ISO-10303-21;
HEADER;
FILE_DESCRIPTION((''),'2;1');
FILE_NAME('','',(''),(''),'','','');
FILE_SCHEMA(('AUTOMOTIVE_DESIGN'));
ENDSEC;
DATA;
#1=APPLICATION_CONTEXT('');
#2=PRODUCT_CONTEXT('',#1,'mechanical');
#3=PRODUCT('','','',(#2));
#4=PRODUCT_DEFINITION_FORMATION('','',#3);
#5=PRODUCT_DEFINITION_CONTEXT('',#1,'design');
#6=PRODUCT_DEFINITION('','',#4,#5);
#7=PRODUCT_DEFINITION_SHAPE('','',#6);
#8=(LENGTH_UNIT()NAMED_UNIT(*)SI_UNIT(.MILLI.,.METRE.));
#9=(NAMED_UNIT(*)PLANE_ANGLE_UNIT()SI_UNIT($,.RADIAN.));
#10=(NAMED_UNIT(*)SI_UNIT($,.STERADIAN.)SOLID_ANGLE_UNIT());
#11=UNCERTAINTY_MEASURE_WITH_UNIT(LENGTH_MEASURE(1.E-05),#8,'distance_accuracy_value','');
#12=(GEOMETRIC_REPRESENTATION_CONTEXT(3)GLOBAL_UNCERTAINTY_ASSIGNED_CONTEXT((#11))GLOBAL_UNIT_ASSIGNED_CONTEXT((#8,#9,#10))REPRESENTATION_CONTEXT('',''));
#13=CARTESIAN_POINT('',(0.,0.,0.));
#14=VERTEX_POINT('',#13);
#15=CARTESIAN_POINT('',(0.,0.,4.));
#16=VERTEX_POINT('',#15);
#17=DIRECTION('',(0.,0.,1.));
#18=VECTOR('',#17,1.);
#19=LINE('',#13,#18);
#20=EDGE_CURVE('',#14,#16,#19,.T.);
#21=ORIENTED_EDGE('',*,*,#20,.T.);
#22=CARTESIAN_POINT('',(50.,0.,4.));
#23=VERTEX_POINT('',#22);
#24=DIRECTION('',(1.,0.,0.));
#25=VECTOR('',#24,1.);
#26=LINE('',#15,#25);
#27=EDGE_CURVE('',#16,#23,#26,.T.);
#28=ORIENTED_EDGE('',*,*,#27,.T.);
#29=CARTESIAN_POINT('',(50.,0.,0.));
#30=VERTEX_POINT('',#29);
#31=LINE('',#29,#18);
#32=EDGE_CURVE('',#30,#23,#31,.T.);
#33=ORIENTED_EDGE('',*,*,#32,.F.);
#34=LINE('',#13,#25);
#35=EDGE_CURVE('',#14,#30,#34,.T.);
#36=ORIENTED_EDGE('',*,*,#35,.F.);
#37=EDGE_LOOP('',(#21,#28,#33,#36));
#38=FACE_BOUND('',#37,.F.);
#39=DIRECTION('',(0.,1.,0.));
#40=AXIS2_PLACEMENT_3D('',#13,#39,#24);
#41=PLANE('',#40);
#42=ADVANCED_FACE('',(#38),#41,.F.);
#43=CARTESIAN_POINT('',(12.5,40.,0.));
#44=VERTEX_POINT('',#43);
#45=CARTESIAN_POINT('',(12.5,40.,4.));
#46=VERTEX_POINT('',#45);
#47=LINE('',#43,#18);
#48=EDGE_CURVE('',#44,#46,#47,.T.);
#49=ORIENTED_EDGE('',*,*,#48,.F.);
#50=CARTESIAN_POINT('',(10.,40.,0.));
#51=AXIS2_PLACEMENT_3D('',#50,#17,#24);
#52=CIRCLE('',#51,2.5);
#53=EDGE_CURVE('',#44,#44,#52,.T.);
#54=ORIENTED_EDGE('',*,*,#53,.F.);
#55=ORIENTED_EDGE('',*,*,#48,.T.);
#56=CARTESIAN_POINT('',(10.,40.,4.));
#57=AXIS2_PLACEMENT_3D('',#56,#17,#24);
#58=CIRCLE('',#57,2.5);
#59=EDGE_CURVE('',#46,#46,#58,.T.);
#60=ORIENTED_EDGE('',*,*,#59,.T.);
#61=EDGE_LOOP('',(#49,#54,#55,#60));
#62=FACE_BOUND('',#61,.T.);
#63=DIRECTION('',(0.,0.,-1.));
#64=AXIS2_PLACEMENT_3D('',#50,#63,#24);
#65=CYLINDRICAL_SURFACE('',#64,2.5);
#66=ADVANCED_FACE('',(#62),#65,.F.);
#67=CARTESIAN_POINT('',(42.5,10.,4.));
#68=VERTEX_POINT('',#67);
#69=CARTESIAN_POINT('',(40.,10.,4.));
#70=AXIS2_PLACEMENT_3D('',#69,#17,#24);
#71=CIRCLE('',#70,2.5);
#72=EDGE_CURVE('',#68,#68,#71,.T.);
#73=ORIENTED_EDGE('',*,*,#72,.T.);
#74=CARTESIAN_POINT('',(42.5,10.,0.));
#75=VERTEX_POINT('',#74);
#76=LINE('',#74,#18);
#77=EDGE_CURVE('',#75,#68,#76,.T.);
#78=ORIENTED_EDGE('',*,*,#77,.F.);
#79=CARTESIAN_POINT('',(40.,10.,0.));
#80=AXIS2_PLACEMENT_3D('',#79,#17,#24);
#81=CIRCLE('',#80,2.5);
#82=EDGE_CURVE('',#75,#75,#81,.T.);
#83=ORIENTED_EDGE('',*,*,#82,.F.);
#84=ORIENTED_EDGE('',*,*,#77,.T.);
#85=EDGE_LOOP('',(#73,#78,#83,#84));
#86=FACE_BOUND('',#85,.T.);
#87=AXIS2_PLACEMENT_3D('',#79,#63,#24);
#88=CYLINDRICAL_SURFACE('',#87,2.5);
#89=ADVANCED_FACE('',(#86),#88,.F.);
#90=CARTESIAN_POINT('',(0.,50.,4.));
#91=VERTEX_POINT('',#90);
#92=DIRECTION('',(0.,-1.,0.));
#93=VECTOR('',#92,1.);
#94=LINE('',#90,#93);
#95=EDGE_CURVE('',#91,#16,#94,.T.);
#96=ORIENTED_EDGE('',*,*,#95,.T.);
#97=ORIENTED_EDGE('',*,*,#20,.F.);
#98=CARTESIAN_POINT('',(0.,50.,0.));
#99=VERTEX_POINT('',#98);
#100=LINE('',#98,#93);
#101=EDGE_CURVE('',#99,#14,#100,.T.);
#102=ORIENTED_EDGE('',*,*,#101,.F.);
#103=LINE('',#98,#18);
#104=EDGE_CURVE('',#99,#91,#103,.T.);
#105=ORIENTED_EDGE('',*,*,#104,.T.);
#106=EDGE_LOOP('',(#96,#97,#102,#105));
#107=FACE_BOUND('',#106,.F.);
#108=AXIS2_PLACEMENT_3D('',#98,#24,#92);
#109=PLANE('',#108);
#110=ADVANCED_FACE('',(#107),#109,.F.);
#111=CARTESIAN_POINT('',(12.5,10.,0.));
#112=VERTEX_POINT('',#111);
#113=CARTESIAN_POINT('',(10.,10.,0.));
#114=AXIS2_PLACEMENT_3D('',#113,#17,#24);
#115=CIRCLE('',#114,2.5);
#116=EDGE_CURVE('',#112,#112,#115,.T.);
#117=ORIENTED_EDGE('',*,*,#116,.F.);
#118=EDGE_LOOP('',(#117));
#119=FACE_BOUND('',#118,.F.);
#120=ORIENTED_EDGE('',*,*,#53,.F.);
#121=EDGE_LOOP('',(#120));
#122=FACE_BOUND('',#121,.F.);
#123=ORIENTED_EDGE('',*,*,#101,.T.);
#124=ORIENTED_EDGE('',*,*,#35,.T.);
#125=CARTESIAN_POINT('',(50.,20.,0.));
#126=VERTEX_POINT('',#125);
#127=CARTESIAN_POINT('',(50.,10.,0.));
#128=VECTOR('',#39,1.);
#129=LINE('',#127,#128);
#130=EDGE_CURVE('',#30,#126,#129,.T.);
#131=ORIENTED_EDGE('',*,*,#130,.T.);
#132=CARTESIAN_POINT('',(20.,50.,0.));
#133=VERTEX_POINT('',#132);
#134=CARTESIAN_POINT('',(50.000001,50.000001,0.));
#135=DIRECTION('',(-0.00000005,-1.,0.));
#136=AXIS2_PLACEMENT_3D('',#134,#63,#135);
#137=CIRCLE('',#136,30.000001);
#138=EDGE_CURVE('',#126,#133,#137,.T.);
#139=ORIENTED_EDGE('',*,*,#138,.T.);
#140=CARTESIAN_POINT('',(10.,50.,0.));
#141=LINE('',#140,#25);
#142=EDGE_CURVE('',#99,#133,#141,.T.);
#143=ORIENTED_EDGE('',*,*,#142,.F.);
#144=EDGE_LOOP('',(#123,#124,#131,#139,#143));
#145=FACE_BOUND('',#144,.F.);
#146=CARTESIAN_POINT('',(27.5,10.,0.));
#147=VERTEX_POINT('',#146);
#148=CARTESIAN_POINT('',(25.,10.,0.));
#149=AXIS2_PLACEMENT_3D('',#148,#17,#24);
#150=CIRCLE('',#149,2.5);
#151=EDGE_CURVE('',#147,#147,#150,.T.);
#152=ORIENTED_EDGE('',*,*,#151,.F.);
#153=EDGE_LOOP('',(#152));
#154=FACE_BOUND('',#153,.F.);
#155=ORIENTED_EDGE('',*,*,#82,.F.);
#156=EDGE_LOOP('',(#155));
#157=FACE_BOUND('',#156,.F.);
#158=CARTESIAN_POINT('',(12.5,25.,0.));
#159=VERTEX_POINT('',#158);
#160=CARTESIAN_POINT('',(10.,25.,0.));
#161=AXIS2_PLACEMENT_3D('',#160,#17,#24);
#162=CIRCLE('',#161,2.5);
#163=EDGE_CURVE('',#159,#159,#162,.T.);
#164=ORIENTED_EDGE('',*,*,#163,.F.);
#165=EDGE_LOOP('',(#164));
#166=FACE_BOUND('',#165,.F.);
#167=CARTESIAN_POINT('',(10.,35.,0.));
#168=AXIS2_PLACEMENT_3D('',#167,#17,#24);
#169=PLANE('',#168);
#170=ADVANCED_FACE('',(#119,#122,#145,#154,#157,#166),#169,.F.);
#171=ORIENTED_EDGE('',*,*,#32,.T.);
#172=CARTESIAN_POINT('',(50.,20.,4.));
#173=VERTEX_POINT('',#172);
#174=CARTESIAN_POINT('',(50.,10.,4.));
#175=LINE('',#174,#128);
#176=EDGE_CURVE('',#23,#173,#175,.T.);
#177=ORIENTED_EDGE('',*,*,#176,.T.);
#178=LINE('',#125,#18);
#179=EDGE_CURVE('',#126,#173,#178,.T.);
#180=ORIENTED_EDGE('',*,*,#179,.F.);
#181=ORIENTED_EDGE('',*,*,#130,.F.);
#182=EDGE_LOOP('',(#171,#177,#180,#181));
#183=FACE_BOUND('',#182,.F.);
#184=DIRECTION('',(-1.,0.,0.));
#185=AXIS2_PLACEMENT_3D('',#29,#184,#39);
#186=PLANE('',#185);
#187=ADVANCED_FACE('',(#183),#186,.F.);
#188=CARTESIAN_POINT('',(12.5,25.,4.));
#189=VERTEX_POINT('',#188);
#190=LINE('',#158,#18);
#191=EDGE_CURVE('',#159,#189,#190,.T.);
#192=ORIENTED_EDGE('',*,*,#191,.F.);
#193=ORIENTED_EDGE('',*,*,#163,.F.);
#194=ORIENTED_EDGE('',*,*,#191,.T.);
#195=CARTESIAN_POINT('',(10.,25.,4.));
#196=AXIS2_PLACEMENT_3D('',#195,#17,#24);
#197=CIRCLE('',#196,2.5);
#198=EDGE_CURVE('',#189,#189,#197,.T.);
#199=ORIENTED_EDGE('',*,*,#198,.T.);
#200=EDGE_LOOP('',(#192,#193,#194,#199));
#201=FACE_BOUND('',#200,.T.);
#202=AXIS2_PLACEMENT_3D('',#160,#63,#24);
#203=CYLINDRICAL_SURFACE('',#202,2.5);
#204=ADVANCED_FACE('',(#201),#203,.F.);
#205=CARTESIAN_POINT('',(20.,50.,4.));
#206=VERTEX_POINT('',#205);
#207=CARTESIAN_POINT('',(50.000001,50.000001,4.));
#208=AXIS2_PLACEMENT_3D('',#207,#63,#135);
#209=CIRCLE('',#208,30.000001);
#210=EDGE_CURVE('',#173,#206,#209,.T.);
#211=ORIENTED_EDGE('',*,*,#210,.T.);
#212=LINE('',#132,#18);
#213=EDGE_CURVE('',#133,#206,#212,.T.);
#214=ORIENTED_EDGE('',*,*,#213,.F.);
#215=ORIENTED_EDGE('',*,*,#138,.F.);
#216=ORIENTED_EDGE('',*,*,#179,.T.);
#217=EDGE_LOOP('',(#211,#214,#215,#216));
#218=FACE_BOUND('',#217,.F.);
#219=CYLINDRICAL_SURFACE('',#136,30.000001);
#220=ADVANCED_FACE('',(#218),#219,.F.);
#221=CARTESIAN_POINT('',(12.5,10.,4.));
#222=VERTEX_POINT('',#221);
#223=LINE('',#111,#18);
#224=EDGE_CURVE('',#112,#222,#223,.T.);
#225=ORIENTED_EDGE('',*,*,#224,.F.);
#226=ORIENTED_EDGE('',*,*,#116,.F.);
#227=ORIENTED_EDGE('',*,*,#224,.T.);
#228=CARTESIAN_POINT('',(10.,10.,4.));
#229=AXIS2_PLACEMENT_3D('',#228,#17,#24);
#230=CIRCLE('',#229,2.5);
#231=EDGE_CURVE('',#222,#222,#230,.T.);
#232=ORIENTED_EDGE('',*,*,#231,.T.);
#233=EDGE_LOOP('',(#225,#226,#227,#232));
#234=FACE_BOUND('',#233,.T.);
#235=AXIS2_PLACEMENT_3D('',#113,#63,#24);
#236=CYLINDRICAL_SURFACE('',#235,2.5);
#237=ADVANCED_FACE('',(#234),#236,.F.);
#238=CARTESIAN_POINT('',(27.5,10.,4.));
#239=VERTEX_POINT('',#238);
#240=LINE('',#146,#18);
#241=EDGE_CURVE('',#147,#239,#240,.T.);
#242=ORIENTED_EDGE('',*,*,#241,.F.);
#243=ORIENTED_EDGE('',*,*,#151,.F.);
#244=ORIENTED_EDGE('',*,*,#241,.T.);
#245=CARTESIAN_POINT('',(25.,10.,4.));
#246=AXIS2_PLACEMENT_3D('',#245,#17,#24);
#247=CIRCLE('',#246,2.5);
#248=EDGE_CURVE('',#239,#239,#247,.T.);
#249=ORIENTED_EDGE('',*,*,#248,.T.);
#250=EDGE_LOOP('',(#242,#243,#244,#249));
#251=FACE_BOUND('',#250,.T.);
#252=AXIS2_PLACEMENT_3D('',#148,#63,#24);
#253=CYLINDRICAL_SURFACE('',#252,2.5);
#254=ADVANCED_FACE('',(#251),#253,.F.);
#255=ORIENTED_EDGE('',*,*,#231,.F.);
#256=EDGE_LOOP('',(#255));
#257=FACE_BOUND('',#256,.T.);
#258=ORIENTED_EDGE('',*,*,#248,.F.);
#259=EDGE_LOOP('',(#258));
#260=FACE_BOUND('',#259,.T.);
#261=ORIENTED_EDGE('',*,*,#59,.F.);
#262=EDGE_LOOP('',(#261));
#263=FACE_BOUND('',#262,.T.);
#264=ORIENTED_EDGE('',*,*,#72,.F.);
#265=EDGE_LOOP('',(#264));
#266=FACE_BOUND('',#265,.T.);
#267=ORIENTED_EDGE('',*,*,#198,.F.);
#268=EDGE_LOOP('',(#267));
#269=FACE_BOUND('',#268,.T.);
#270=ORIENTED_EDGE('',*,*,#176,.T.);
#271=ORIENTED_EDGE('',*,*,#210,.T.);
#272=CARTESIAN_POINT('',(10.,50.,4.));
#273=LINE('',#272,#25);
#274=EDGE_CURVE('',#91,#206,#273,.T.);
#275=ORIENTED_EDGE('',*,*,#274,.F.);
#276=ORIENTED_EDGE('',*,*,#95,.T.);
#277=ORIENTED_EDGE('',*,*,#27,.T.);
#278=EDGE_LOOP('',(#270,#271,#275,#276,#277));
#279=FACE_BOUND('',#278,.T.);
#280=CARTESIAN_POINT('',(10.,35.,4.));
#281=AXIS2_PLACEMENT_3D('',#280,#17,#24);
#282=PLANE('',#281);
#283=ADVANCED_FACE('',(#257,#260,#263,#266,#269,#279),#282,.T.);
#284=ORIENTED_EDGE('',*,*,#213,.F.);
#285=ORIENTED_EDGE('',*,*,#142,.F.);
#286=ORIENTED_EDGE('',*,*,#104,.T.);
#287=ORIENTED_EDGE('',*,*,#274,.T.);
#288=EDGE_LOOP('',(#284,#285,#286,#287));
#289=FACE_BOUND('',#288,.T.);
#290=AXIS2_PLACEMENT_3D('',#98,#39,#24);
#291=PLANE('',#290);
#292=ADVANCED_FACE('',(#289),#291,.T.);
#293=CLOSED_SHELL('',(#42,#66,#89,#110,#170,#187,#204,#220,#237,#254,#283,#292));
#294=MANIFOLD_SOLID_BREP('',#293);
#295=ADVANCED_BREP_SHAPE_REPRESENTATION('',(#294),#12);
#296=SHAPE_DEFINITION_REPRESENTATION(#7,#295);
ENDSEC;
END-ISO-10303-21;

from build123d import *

# Parameters (mm, degrees)
F0_W     = 20
F0_H     = 30
F0_R     = 2.5
F0_W_2   = 30
F0_H_2   = 20
F1_DEPTH = 4


with BuildPart() as f1:
    # F0 (on Top) → F1 (new body)
    with BuildSketch(Plane.XY):
        with Locations((10, 35)):
            Rectangle(F0_W, F0_H)
        with Locations((10, 25)):
            Circle(F0_R, mode=Mode.SUBTRACT)
        with Locations((10, 40)):
            Circle(F0_R, mode=Mode.SUBTRACT)
        with BuildLine():
            Line((20, 50), (20, 20))
            Line((20, 20), (50, 20))
            ThreePointArc((50, 20), (28.786797, 28.786797), (20, 50))
        make_face()
        with Locations((35, 10)):
            Rectangle(F0_W_2, F0_H_2)
        with Locations((25, 10)):
            Circle(F0_R, mode=Mode.SUBTRACT)
        with Locations((40, 10)):
            Circle(F0_R, mode=Mode.SUBTRACT)
        with Locations((10, 10)):
            Rectangle(F0_W, F0_H_2)
        with Locations((10, 10)):
            Circle(F0_R, mode=Mode.SUBTRACT)
    extrude(amount=F1_DEPTH)


solid = f1.part
